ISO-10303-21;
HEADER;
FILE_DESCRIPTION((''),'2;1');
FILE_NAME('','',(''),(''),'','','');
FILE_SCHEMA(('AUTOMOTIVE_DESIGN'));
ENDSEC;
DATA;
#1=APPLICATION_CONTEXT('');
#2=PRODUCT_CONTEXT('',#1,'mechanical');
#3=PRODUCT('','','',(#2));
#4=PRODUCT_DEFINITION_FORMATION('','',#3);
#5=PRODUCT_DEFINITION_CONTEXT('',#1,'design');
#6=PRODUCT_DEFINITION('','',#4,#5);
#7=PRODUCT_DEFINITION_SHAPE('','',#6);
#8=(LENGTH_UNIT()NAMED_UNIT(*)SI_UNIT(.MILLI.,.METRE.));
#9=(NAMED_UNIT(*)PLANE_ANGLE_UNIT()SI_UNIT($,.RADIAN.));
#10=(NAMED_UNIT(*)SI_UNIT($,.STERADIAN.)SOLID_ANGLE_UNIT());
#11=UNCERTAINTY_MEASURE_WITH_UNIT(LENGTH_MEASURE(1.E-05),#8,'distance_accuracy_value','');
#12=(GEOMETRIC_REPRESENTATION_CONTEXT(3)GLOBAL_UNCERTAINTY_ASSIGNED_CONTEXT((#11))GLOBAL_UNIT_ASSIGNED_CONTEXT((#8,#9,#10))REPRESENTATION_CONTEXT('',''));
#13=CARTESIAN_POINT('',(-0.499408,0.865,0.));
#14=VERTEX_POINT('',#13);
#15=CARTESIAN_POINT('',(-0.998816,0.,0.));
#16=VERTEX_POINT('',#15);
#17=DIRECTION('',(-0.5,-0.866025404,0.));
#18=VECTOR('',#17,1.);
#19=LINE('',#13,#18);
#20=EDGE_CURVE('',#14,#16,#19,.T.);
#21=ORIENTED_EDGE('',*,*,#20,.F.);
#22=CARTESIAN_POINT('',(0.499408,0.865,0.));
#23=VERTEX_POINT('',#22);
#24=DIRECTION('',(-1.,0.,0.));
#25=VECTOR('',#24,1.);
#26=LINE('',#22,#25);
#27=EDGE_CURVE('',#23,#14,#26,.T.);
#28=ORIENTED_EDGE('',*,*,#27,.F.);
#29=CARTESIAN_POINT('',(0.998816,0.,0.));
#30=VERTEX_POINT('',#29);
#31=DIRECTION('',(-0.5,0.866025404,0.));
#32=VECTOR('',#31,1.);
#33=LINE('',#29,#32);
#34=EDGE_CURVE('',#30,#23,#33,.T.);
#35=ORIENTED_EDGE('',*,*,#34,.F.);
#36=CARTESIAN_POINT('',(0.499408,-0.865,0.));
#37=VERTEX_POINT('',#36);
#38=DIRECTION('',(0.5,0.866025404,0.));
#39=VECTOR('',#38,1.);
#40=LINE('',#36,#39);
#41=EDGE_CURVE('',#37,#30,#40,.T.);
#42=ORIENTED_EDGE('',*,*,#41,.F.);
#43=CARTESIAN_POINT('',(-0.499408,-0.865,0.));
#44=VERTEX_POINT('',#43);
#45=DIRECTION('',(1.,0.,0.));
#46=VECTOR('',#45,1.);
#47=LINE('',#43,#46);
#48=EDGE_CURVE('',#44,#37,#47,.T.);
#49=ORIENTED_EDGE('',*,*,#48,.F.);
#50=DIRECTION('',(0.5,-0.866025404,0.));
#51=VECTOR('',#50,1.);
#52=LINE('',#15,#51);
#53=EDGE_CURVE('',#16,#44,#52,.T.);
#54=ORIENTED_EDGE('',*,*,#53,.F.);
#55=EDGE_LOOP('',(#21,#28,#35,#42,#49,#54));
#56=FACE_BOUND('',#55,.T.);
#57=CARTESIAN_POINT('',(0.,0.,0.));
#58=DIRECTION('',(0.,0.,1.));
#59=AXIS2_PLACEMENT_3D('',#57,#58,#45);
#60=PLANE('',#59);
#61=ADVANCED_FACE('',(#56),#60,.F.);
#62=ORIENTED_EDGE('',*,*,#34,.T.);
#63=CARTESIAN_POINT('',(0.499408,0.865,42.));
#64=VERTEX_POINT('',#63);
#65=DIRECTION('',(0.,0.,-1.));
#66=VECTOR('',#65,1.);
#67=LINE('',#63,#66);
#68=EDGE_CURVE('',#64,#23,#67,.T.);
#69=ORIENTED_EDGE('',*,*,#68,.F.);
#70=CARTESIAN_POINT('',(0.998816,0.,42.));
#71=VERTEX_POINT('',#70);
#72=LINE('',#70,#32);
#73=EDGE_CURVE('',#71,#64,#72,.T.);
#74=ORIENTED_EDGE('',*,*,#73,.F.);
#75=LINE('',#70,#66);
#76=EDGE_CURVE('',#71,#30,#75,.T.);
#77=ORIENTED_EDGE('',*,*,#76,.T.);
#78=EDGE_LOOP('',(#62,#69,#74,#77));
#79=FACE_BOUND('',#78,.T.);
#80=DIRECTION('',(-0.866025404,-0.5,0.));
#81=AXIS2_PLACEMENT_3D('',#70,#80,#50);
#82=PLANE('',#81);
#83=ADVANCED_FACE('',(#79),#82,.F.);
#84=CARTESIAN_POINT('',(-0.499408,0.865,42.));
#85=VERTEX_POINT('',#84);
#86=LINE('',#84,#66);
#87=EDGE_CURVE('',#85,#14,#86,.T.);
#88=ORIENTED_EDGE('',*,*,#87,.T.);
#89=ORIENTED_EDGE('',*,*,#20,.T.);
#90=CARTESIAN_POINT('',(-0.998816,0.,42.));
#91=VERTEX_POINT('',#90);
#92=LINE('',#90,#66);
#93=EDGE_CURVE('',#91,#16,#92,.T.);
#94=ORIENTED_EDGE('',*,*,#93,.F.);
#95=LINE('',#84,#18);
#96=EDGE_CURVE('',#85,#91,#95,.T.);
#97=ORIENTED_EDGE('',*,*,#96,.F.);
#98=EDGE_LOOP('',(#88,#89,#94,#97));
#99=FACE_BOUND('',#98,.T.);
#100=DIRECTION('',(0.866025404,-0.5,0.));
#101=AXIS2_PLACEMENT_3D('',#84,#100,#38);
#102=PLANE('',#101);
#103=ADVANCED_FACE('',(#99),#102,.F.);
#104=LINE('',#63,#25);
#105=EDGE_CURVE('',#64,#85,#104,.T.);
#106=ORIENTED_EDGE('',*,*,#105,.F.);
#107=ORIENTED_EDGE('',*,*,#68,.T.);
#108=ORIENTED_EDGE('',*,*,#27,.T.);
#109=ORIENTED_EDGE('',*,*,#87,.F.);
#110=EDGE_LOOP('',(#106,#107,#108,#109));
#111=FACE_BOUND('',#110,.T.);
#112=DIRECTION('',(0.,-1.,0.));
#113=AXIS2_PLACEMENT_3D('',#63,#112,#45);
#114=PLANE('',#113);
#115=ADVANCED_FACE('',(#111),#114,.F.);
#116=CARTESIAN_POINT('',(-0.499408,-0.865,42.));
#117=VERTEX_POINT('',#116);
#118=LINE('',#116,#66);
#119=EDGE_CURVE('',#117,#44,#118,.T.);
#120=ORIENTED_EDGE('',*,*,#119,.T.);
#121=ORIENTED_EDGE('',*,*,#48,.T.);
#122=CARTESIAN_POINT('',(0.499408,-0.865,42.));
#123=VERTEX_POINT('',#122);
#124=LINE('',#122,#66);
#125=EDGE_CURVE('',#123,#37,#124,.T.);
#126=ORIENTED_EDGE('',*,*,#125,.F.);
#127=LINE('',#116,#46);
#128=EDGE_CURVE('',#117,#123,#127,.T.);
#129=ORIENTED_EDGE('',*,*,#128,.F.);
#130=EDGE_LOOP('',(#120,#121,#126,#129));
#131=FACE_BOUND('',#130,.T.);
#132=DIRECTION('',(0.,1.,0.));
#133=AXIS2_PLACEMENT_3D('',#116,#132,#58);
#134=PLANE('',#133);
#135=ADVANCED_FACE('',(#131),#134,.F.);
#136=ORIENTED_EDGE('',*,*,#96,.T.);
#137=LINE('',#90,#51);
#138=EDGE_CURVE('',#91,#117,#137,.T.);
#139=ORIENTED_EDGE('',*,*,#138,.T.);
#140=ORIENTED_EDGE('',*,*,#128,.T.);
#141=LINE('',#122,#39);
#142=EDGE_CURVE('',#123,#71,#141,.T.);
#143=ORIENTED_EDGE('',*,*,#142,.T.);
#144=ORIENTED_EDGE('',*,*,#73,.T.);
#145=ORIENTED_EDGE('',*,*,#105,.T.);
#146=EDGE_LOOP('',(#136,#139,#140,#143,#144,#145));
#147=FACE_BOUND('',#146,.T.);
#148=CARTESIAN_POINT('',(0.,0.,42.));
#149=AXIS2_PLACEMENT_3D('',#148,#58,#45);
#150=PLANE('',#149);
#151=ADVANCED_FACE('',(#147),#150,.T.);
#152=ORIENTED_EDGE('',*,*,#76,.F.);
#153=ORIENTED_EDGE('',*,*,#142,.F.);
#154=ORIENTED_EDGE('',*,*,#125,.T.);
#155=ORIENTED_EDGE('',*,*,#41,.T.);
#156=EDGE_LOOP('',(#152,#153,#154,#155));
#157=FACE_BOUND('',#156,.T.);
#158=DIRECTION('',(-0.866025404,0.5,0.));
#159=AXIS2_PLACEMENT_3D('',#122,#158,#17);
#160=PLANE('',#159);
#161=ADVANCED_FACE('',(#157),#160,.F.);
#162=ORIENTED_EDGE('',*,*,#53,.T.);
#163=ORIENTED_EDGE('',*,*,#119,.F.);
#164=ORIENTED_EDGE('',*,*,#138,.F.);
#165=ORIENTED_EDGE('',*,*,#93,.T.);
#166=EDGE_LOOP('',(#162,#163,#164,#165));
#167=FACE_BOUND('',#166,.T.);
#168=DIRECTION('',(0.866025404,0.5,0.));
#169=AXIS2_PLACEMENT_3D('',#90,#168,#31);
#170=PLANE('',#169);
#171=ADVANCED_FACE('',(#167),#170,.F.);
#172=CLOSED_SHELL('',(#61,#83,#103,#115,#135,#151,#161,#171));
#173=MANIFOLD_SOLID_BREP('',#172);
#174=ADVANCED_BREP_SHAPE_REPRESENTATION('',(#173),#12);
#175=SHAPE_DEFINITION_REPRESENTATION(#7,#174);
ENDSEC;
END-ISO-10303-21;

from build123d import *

# Parameters (mm, degrees)
AXIS_DEPTH = 42


with BuildPart() as part:
    # AxisSke → Axis (new body)
    with BuildSketch(Plane.XY):
        Polygon((0.998815966, 0), (0.499407983, 0.865), (-0.499407983, 0.865), (-0.998815966, 0), (-0.499407983, -0.865), (0.499407983, -0.865), align=None)
    extrude(amount=AXIS_DEPTH)


solid = part.part
